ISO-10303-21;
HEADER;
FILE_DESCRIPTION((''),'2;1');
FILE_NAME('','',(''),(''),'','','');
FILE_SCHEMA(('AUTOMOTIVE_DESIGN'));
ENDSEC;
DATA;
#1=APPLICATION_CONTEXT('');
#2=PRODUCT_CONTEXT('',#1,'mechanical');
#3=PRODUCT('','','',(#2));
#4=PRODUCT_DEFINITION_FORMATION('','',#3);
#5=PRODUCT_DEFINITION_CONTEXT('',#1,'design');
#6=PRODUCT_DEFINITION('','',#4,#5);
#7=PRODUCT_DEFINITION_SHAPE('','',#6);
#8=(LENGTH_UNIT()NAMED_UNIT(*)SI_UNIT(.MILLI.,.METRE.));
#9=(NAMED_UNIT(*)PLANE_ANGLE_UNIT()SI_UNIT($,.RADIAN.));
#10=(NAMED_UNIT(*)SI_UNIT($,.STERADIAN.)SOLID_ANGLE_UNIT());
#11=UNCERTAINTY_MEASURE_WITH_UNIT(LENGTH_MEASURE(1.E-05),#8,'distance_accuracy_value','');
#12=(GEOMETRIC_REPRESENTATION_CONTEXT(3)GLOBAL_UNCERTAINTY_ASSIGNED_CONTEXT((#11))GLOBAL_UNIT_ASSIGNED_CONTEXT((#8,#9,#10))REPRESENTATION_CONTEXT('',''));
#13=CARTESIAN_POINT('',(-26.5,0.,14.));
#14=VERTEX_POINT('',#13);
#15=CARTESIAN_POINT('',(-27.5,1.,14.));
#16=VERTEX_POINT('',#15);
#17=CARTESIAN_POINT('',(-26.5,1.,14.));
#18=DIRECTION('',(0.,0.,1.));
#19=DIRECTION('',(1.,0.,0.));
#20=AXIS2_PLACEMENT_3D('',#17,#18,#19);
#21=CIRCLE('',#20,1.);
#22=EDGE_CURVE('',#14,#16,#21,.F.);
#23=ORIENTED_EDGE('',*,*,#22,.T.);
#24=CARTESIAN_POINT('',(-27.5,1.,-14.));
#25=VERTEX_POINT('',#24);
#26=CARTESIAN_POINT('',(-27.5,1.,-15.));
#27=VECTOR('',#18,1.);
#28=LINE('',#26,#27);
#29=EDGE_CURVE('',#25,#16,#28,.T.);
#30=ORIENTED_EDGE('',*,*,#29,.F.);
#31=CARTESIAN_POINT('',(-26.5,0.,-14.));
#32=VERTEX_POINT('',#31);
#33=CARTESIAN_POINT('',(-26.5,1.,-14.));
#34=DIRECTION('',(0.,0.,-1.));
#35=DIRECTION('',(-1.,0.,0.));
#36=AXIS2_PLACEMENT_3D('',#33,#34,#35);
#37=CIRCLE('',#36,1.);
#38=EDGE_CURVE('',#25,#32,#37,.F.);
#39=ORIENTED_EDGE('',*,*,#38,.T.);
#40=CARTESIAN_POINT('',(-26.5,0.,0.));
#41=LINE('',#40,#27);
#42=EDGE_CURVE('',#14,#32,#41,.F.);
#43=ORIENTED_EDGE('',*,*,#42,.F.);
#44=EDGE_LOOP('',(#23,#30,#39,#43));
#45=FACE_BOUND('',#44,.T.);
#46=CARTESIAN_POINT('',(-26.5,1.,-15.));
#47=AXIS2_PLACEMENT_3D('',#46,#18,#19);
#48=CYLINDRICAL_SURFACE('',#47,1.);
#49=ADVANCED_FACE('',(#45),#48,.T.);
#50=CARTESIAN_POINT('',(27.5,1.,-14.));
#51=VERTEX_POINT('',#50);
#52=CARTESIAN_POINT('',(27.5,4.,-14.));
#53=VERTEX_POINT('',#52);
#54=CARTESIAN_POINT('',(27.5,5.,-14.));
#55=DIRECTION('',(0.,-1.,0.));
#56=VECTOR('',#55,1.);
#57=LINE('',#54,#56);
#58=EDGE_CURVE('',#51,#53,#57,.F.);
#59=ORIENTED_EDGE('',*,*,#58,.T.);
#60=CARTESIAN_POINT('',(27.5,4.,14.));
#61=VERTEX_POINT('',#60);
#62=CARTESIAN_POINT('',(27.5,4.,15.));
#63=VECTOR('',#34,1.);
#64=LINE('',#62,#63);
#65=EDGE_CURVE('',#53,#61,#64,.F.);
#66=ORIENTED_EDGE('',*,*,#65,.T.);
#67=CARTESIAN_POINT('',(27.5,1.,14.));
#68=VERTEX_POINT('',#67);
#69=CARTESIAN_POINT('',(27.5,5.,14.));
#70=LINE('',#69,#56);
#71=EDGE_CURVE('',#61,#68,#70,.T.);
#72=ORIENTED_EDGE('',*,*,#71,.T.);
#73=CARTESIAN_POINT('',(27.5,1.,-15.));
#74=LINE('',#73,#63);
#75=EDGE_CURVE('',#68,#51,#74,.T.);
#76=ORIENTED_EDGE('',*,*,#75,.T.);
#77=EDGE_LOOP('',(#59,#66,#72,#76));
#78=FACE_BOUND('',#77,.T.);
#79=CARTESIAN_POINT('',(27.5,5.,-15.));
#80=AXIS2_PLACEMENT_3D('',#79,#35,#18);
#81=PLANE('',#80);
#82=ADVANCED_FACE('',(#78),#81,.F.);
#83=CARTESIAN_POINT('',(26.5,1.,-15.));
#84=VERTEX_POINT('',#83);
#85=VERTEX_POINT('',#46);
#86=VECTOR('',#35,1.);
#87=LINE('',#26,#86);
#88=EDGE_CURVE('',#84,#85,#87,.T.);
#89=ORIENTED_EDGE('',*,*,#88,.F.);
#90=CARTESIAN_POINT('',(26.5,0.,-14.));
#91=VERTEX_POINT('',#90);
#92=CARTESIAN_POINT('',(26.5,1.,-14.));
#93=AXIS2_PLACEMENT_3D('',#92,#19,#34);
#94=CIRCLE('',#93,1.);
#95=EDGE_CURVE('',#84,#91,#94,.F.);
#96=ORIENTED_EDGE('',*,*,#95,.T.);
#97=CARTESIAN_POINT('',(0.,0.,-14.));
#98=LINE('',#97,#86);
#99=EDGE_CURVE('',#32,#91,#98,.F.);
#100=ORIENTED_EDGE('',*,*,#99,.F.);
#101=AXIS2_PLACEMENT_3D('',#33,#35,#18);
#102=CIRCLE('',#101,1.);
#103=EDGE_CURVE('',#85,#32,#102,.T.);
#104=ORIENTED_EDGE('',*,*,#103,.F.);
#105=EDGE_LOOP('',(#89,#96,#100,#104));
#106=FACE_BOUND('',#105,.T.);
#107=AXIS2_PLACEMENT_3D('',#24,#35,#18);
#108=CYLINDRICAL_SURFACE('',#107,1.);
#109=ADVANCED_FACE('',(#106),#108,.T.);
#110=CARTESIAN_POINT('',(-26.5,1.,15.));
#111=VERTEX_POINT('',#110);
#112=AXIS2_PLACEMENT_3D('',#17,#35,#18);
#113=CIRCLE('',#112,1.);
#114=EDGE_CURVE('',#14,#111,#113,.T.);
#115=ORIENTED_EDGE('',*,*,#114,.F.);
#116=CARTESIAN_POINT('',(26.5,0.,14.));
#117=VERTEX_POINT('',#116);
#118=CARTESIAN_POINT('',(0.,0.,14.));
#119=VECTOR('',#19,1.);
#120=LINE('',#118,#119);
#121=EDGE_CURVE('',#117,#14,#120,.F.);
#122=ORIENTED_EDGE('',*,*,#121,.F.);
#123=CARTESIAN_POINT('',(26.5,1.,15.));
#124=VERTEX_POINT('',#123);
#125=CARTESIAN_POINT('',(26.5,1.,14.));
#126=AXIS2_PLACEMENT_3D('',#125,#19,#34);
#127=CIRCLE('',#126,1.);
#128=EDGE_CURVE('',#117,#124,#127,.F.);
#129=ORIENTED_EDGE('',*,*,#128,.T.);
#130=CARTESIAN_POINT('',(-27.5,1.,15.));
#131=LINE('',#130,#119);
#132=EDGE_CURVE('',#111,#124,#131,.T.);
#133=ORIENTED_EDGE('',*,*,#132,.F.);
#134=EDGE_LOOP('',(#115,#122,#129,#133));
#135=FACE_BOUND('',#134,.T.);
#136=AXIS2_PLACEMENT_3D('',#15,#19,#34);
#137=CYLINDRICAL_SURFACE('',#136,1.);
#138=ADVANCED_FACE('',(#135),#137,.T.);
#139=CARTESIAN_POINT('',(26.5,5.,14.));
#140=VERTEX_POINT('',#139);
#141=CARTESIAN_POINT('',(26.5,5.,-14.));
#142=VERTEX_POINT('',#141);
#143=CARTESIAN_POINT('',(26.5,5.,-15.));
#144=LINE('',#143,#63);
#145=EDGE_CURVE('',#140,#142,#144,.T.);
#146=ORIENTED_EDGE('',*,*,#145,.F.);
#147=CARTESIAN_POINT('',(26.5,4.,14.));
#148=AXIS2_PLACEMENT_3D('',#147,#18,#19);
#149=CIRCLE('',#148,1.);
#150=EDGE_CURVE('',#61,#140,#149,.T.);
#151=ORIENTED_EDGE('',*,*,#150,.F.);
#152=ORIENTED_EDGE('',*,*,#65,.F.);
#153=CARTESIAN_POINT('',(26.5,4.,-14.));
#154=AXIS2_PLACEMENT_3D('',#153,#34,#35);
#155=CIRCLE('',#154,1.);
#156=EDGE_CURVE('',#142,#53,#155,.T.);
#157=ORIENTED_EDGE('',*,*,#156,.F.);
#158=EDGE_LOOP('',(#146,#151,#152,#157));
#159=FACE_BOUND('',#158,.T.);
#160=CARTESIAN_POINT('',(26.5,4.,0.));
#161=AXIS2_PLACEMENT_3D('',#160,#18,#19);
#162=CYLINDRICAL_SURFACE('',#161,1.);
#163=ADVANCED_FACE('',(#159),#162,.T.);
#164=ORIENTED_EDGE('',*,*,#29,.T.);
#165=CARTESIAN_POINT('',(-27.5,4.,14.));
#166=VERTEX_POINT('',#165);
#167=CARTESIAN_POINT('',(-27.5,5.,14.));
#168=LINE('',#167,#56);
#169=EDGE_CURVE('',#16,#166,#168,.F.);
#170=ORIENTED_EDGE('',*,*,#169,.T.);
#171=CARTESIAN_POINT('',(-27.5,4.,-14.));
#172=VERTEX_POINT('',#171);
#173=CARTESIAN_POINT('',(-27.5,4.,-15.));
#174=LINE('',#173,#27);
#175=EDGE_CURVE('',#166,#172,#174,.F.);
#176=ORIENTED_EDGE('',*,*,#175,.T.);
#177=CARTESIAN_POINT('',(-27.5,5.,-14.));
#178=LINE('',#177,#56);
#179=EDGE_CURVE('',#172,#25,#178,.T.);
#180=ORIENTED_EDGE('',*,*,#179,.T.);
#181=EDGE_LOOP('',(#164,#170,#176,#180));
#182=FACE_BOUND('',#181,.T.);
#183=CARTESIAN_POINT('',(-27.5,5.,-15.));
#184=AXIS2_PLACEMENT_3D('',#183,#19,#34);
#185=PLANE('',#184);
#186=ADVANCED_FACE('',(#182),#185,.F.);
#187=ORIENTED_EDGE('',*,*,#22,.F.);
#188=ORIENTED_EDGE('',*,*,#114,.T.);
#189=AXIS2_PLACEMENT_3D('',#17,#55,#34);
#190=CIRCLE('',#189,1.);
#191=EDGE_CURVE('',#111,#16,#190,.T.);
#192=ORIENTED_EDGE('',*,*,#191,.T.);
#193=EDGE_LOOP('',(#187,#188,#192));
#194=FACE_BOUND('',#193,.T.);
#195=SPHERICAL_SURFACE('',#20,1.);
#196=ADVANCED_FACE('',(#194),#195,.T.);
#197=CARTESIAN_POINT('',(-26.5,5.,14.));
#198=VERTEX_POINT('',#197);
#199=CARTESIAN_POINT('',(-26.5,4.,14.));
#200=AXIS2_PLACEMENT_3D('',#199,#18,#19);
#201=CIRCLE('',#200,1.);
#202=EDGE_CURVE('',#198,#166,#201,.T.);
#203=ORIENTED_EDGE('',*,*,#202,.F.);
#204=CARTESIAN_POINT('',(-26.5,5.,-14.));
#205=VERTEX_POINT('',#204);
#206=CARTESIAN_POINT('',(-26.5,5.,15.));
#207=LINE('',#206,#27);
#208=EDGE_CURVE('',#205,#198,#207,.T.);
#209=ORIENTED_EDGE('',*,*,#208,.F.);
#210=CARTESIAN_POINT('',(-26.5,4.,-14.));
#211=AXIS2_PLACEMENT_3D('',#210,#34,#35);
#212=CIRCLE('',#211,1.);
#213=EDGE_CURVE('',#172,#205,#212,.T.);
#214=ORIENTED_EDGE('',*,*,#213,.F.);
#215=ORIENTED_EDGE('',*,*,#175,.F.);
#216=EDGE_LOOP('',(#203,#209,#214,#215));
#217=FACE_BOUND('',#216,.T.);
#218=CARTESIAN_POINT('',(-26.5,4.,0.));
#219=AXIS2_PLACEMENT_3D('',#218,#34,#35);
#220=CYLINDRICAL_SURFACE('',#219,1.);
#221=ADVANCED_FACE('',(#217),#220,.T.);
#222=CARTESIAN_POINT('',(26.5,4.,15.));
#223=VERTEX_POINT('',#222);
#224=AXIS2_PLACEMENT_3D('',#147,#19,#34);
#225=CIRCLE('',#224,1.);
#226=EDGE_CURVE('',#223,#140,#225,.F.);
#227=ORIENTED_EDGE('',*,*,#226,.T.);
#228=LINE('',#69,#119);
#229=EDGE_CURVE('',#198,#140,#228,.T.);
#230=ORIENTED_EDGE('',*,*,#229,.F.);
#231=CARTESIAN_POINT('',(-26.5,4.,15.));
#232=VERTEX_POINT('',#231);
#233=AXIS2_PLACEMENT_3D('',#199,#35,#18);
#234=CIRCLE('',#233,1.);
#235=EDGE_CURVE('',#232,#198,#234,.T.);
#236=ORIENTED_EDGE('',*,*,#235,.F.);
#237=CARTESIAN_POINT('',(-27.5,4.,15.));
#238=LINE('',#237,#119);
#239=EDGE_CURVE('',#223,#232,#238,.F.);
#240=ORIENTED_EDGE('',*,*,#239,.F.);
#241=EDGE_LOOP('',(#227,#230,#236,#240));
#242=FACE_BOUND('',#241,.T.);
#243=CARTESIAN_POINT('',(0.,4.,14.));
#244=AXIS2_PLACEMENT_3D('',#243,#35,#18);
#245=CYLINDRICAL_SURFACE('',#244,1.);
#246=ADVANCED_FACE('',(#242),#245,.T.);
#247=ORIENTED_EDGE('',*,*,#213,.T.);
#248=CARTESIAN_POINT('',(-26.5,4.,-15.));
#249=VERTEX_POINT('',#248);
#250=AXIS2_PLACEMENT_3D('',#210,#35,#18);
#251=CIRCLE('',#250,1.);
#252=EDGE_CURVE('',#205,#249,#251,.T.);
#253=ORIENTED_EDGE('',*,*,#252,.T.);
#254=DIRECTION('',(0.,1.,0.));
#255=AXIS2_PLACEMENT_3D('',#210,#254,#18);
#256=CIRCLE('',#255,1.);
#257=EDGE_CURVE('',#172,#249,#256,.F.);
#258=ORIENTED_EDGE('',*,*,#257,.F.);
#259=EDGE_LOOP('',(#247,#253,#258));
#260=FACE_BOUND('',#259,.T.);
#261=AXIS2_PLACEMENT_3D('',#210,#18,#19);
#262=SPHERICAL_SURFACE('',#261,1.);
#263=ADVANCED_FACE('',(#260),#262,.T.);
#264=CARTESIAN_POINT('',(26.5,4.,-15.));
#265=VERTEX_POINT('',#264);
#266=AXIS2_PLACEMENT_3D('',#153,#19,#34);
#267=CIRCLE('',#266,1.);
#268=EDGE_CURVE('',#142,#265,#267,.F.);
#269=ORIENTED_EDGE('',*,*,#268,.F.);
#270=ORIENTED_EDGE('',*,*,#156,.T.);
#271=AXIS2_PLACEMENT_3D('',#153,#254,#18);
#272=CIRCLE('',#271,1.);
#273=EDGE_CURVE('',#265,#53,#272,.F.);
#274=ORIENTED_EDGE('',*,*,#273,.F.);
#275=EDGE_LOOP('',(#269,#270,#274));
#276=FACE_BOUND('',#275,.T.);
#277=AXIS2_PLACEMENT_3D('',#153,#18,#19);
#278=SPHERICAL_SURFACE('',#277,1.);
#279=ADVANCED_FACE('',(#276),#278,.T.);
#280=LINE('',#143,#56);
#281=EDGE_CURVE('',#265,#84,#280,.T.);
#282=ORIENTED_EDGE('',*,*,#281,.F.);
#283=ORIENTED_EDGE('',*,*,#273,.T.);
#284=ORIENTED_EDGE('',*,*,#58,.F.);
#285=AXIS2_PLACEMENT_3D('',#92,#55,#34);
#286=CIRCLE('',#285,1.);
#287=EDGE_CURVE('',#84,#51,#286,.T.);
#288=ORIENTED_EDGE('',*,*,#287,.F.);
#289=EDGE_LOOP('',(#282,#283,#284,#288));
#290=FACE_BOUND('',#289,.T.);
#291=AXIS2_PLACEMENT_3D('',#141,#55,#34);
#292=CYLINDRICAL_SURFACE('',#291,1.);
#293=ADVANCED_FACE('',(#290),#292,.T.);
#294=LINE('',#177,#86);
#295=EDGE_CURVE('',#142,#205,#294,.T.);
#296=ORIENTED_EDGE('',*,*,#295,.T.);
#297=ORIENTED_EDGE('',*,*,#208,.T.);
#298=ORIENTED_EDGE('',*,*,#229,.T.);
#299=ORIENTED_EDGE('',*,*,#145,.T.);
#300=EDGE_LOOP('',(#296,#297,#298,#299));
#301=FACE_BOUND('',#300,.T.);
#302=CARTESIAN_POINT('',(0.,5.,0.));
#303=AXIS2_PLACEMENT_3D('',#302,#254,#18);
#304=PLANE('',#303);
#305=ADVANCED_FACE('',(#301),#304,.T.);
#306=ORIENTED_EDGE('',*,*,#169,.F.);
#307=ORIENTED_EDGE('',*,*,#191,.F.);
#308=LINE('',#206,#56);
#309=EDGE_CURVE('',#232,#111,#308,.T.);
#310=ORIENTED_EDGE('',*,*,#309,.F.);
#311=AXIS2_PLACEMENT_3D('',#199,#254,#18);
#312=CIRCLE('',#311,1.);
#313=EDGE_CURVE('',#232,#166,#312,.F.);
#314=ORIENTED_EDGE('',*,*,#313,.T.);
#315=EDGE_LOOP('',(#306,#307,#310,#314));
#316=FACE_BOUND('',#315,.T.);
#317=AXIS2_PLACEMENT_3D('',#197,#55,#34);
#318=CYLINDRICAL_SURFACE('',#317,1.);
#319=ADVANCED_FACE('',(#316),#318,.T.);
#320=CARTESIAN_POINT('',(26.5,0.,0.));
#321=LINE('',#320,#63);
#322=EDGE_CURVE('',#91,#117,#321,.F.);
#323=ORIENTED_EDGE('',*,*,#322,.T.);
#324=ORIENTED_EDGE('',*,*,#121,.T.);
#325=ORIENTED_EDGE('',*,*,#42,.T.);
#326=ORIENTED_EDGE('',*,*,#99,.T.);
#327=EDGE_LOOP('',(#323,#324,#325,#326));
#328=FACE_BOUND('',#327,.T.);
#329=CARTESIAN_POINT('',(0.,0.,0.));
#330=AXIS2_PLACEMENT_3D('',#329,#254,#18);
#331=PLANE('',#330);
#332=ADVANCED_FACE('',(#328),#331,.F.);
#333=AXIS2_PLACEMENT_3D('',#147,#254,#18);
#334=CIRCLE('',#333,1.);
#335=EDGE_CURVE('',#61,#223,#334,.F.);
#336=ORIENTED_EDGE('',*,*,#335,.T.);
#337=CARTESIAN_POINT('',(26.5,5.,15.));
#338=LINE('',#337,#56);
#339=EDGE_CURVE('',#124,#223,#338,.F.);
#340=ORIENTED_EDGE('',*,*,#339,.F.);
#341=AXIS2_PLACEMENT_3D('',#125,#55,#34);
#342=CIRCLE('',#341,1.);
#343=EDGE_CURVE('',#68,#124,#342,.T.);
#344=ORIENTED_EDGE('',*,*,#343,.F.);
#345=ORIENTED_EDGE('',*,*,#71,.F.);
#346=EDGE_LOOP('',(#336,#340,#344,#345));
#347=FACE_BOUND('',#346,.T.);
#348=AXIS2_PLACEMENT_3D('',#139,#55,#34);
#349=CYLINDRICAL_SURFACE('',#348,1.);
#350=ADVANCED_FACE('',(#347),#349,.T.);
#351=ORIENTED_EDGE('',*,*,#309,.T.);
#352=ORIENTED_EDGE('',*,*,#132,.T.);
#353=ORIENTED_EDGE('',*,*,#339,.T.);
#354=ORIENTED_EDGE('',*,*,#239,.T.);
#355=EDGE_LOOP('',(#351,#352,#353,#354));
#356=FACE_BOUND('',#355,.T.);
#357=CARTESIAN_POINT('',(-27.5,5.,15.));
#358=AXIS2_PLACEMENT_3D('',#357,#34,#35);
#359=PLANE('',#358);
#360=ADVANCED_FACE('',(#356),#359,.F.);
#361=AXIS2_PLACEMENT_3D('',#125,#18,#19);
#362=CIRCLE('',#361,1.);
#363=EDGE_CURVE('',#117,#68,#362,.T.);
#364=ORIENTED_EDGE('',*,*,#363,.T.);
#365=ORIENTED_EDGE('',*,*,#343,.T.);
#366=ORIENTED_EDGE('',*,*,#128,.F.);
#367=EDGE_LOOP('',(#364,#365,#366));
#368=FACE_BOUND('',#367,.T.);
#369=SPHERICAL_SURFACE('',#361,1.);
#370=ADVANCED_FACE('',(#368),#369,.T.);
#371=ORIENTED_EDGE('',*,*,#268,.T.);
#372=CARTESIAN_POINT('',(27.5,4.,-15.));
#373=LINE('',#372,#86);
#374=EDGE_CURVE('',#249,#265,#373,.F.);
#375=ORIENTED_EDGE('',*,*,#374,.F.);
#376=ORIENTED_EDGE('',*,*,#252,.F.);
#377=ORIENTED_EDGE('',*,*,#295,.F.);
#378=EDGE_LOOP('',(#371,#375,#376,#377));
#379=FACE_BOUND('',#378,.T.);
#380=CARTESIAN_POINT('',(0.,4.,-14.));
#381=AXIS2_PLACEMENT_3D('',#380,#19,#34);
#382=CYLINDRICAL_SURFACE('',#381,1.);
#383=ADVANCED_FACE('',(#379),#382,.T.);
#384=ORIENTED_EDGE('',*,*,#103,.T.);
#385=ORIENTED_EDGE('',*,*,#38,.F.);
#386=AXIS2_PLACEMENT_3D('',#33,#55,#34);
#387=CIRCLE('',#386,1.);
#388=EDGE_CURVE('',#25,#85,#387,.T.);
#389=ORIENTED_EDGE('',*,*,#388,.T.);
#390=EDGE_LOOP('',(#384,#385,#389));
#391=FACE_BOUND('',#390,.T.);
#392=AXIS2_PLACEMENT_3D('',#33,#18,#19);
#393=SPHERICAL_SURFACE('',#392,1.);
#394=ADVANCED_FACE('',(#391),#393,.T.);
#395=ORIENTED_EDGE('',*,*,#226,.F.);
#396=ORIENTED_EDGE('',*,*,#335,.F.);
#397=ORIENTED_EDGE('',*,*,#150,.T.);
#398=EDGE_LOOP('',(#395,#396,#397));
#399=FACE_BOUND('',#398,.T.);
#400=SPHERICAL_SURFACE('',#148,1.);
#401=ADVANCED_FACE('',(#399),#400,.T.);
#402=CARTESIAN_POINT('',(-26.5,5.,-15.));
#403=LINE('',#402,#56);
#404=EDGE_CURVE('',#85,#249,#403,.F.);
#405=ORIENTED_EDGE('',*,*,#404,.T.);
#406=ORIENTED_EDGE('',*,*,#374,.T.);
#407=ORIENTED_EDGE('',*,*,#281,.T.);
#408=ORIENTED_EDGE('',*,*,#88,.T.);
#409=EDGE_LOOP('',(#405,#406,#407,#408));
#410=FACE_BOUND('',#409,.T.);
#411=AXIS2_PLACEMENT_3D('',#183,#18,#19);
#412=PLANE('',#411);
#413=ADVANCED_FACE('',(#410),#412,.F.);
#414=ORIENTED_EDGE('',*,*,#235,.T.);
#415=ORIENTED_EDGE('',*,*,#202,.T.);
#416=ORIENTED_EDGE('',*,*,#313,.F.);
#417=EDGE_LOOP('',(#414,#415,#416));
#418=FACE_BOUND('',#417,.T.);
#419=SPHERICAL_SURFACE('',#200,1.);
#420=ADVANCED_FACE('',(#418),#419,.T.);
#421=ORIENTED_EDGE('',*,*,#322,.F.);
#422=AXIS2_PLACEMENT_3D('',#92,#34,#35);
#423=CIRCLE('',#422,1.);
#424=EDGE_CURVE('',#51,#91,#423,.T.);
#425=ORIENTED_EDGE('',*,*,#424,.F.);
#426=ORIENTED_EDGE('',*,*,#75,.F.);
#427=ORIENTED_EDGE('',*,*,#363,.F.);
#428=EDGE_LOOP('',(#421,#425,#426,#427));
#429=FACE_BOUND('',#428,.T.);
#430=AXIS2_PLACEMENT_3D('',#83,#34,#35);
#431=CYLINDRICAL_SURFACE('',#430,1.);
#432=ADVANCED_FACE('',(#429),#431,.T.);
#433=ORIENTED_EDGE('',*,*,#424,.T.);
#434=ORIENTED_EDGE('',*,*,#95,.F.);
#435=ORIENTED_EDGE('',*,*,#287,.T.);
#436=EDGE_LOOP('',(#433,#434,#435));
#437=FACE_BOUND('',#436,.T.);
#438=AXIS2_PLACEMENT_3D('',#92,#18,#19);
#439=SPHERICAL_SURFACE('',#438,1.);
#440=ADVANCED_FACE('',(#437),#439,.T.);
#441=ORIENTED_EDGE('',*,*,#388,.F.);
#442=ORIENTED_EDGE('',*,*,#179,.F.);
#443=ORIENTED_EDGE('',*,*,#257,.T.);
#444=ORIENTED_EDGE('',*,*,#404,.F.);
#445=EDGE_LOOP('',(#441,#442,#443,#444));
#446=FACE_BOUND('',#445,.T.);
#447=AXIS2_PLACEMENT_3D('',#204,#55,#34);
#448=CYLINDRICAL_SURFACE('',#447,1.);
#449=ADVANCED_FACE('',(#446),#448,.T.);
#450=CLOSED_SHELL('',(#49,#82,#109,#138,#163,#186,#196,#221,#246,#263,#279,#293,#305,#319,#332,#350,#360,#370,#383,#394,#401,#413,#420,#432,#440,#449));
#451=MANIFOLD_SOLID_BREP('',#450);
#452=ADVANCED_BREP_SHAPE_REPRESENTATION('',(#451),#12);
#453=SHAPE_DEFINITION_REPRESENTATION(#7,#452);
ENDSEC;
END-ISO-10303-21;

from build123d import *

# Parameters (mm, degrees)
SKETCH1_W   = 55
SKETCH1_H   = 30
SHAPE_DEPTH = 5
FILLETS_R   = 1


with BuildPart() as part:
    # Sketch1 → Shape (new body)
    with BuildSketch(Plane(origin=(0, 0, 0), x_dir=(1, 0, 0), z_dir=(0, 1, 0))):
        Rectangle(SKETCH1_W, SKETCH1_H)
    extrude(amount=SHAPE_DEPTH)

    # Fillets
    fillets_edges = [part.edges().sort_by_distance(p)[0] for p in [
        (-27.5, 5, 0),
        (0, 5, 15),
        (27.5, 5, 0),
        (0, 0, 15),
        (-27.5, 0, 0),
        (0, 0, -15),
        (27.5, 0, 0),
        (0, 5, -15),
        (27.5, 2.5, 15),
        (-27.5, 2.5, 15),
        (-27.5, 2.5, -15),
        (27.5, 2.5, -15),
    ]]
    fillet(fillets_edges, radius=FILLETS_R)


solid = part.part
